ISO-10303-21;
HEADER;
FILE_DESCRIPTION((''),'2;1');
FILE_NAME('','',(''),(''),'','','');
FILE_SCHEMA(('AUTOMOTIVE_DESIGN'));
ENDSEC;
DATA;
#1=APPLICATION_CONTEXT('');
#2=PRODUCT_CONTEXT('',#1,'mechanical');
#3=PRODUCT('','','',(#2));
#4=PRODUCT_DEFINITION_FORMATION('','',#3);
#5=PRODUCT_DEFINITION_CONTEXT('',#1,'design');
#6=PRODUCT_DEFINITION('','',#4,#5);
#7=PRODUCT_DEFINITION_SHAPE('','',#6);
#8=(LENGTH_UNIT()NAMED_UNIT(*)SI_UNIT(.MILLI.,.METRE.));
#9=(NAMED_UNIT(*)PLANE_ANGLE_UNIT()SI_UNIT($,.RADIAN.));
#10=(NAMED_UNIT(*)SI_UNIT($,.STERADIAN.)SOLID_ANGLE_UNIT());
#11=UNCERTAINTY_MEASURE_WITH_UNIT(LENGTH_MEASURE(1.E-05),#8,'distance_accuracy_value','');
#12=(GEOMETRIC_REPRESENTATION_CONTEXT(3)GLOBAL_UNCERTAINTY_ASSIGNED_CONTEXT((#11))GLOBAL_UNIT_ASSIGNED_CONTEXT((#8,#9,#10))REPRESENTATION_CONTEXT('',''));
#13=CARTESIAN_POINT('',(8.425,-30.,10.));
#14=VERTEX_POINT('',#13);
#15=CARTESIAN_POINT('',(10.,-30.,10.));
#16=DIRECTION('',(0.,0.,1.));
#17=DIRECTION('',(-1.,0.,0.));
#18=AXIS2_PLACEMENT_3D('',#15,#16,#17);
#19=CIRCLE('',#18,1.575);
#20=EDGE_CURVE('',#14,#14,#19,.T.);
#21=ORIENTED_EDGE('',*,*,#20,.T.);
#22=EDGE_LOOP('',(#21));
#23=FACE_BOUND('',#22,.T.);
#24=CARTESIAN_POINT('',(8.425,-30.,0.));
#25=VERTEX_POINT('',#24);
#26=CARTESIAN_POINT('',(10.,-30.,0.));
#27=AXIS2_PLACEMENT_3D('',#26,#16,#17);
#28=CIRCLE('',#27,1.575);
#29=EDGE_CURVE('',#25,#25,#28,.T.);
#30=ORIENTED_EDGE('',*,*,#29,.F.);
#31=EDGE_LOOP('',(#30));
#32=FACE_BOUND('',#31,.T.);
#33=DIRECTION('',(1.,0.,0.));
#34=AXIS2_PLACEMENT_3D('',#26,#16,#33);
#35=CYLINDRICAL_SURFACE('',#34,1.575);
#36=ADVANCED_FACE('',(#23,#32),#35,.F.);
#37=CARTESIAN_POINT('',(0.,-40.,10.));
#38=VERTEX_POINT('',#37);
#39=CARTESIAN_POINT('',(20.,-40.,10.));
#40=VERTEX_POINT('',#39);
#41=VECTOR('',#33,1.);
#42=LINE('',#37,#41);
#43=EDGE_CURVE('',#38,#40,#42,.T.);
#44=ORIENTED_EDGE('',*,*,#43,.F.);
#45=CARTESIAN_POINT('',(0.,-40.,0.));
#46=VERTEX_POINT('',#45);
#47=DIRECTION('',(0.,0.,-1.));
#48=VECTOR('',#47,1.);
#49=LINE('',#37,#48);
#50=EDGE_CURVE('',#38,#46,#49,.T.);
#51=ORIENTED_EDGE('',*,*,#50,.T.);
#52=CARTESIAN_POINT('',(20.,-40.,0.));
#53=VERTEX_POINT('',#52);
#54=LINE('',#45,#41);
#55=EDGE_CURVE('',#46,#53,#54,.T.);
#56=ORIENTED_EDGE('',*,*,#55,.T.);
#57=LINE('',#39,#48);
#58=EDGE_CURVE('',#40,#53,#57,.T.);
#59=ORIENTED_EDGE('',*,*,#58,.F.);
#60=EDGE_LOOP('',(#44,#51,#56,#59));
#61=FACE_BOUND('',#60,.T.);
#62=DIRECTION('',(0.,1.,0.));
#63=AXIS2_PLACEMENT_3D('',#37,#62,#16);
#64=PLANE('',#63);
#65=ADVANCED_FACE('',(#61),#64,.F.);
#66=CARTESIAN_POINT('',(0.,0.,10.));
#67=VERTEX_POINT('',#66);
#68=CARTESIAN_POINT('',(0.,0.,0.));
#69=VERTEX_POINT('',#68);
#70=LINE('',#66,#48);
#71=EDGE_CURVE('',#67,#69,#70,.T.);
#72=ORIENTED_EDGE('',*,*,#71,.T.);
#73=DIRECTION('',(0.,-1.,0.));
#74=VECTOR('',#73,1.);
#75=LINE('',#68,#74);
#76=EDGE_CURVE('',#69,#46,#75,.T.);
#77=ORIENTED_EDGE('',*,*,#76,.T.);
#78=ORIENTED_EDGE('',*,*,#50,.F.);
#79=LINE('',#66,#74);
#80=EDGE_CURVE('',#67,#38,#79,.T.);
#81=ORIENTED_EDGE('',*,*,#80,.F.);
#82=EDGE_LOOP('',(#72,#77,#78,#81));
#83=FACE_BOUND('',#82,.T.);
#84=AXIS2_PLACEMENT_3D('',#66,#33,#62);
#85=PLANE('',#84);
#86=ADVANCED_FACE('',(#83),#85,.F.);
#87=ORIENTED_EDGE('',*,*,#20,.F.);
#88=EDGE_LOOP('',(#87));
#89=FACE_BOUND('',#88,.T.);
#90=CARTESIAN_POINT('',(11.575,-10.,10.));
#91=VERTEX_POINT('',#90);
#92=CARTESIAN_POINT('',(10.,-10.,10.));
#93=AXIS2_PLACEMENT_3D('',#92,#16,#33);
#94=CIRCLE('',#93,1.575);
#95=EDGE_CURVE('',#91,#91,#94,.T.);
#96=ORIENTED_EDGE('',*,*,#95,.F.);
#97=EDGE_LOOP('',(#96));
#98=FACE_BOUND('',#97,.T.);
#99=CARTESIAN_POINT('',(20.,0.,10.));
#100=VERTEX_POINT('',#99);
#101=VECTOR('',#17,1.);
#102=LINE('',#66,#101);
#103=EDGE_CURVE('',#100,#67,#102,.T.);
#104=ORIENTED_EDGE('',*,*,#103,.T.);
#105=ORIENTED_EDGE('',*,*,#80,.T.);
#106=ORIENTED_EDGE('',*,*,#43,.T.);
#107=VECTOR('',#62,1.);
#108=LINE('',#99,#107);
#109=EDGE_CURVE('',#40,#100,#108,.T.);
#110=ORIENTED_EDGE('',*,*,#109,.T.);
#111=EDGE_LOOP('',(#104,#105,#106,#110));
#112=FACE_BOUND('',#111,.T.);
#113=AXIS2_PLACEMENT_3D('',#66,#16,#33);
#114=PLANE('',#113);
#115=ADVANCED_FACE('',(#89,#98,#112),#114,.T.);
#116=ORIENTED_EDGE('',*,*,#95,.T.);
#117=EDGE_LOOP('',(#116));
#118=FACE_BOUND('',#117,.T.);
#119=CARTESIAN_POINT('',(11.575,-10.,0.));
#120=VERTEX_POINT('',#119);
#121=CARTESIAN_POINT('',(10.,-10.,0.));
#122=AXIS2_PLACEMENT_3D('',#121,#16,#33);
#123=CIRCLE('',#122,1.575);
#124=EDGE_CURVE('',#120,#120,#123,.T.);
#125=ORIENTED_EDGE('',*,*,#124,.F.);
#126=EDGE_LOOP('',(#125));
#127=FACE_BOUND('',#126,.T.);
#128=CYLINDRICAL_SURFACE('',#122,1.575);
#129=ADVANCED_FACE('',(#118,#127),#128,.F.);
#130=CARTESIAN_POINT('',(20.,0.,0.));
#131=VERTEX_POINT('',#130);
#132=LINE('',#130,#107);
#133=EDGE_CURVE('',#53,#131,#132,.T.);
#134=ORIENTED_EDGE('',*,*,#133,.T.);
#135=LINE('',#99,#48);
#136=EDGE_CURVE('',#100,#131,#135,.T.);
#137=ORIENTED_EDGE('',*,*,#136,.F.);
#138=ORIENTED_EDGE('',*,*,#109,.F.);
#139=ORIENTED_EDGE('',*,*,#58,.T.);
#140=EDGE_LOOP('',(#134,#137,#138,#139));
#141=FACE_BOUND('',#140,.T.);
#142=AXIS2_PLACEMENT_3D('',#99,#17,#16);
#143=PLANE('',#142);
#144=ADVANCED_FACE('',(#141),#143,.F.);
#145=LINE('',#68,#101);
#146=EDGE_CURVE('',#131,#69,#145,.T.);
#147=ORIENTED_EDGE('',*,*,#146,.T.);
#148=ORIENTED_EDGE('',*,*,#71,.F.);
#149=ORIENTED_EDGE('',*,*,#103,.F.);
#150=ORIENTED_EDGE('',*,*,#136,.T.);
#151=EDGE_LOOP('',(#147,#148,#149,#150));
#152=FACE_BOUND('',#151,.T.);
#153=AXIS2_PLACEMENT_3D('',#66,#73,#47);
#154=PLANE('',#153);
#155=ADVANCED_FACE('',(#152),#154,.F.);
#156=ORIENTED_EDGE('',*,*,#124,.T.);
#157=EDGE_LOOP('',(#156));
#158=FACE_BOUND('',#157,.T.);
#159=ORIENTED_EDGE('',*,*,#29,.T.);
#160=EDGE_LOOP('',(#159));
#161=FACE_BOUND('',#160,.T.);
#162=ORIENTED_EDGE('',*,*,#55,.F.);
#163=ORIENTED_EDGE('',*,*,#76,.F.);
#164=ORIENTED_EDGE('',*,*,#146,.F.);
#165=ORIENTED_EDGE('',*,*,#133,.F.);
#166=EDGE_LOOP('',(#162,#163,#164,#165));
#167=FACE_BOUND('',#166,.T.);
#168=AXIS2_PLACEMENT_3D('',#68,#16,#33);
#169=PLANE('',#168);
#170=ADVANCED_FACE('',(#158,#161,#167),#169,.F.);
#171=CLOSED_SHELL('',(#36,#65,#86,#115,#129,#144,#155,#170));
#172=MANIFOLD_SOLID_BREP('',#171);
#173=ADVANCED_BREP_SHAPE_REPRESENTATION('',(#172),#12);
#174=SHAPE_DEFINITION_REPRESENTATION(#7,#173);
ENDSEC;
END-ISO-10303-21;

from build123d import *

# Parameters (mm, degrees)
SKETCH_1_W          = 20
SKETCH_1_H          = 40
EXTRUDE_1_DEPTH     = 10
SKETCH_2_R          = 1.575
CUT_EXTRUDE_1_DEPTH = 46.82575695


with BuildPart() as part:
    # 草图1 → 凸台-拉伸1 (new body)
    with BuildSketch(Plane.XY):
        with Locations((10, -20)):
            Rectangle(SKETCH_1_W, SKETCH_1_H)
    extrude(amount=EXTRUDE_1_DEPTH)

    # 草图2 → 切除-拉伸1 (cut, through all)
    with BuildSketch(Plane.XY.offset(10)):
        with Locations((10, -10)):
            Circle(SKETCH_2_R)
        with Locations(Location((10, -30, 0), (0, 0, 180))):
            Circle(SKETCH_2_R)
    extrude(amount=-CUT_EXTRUDE_1_DEPTH, mode=Mode.SUBTRACT)


solid = part.part
